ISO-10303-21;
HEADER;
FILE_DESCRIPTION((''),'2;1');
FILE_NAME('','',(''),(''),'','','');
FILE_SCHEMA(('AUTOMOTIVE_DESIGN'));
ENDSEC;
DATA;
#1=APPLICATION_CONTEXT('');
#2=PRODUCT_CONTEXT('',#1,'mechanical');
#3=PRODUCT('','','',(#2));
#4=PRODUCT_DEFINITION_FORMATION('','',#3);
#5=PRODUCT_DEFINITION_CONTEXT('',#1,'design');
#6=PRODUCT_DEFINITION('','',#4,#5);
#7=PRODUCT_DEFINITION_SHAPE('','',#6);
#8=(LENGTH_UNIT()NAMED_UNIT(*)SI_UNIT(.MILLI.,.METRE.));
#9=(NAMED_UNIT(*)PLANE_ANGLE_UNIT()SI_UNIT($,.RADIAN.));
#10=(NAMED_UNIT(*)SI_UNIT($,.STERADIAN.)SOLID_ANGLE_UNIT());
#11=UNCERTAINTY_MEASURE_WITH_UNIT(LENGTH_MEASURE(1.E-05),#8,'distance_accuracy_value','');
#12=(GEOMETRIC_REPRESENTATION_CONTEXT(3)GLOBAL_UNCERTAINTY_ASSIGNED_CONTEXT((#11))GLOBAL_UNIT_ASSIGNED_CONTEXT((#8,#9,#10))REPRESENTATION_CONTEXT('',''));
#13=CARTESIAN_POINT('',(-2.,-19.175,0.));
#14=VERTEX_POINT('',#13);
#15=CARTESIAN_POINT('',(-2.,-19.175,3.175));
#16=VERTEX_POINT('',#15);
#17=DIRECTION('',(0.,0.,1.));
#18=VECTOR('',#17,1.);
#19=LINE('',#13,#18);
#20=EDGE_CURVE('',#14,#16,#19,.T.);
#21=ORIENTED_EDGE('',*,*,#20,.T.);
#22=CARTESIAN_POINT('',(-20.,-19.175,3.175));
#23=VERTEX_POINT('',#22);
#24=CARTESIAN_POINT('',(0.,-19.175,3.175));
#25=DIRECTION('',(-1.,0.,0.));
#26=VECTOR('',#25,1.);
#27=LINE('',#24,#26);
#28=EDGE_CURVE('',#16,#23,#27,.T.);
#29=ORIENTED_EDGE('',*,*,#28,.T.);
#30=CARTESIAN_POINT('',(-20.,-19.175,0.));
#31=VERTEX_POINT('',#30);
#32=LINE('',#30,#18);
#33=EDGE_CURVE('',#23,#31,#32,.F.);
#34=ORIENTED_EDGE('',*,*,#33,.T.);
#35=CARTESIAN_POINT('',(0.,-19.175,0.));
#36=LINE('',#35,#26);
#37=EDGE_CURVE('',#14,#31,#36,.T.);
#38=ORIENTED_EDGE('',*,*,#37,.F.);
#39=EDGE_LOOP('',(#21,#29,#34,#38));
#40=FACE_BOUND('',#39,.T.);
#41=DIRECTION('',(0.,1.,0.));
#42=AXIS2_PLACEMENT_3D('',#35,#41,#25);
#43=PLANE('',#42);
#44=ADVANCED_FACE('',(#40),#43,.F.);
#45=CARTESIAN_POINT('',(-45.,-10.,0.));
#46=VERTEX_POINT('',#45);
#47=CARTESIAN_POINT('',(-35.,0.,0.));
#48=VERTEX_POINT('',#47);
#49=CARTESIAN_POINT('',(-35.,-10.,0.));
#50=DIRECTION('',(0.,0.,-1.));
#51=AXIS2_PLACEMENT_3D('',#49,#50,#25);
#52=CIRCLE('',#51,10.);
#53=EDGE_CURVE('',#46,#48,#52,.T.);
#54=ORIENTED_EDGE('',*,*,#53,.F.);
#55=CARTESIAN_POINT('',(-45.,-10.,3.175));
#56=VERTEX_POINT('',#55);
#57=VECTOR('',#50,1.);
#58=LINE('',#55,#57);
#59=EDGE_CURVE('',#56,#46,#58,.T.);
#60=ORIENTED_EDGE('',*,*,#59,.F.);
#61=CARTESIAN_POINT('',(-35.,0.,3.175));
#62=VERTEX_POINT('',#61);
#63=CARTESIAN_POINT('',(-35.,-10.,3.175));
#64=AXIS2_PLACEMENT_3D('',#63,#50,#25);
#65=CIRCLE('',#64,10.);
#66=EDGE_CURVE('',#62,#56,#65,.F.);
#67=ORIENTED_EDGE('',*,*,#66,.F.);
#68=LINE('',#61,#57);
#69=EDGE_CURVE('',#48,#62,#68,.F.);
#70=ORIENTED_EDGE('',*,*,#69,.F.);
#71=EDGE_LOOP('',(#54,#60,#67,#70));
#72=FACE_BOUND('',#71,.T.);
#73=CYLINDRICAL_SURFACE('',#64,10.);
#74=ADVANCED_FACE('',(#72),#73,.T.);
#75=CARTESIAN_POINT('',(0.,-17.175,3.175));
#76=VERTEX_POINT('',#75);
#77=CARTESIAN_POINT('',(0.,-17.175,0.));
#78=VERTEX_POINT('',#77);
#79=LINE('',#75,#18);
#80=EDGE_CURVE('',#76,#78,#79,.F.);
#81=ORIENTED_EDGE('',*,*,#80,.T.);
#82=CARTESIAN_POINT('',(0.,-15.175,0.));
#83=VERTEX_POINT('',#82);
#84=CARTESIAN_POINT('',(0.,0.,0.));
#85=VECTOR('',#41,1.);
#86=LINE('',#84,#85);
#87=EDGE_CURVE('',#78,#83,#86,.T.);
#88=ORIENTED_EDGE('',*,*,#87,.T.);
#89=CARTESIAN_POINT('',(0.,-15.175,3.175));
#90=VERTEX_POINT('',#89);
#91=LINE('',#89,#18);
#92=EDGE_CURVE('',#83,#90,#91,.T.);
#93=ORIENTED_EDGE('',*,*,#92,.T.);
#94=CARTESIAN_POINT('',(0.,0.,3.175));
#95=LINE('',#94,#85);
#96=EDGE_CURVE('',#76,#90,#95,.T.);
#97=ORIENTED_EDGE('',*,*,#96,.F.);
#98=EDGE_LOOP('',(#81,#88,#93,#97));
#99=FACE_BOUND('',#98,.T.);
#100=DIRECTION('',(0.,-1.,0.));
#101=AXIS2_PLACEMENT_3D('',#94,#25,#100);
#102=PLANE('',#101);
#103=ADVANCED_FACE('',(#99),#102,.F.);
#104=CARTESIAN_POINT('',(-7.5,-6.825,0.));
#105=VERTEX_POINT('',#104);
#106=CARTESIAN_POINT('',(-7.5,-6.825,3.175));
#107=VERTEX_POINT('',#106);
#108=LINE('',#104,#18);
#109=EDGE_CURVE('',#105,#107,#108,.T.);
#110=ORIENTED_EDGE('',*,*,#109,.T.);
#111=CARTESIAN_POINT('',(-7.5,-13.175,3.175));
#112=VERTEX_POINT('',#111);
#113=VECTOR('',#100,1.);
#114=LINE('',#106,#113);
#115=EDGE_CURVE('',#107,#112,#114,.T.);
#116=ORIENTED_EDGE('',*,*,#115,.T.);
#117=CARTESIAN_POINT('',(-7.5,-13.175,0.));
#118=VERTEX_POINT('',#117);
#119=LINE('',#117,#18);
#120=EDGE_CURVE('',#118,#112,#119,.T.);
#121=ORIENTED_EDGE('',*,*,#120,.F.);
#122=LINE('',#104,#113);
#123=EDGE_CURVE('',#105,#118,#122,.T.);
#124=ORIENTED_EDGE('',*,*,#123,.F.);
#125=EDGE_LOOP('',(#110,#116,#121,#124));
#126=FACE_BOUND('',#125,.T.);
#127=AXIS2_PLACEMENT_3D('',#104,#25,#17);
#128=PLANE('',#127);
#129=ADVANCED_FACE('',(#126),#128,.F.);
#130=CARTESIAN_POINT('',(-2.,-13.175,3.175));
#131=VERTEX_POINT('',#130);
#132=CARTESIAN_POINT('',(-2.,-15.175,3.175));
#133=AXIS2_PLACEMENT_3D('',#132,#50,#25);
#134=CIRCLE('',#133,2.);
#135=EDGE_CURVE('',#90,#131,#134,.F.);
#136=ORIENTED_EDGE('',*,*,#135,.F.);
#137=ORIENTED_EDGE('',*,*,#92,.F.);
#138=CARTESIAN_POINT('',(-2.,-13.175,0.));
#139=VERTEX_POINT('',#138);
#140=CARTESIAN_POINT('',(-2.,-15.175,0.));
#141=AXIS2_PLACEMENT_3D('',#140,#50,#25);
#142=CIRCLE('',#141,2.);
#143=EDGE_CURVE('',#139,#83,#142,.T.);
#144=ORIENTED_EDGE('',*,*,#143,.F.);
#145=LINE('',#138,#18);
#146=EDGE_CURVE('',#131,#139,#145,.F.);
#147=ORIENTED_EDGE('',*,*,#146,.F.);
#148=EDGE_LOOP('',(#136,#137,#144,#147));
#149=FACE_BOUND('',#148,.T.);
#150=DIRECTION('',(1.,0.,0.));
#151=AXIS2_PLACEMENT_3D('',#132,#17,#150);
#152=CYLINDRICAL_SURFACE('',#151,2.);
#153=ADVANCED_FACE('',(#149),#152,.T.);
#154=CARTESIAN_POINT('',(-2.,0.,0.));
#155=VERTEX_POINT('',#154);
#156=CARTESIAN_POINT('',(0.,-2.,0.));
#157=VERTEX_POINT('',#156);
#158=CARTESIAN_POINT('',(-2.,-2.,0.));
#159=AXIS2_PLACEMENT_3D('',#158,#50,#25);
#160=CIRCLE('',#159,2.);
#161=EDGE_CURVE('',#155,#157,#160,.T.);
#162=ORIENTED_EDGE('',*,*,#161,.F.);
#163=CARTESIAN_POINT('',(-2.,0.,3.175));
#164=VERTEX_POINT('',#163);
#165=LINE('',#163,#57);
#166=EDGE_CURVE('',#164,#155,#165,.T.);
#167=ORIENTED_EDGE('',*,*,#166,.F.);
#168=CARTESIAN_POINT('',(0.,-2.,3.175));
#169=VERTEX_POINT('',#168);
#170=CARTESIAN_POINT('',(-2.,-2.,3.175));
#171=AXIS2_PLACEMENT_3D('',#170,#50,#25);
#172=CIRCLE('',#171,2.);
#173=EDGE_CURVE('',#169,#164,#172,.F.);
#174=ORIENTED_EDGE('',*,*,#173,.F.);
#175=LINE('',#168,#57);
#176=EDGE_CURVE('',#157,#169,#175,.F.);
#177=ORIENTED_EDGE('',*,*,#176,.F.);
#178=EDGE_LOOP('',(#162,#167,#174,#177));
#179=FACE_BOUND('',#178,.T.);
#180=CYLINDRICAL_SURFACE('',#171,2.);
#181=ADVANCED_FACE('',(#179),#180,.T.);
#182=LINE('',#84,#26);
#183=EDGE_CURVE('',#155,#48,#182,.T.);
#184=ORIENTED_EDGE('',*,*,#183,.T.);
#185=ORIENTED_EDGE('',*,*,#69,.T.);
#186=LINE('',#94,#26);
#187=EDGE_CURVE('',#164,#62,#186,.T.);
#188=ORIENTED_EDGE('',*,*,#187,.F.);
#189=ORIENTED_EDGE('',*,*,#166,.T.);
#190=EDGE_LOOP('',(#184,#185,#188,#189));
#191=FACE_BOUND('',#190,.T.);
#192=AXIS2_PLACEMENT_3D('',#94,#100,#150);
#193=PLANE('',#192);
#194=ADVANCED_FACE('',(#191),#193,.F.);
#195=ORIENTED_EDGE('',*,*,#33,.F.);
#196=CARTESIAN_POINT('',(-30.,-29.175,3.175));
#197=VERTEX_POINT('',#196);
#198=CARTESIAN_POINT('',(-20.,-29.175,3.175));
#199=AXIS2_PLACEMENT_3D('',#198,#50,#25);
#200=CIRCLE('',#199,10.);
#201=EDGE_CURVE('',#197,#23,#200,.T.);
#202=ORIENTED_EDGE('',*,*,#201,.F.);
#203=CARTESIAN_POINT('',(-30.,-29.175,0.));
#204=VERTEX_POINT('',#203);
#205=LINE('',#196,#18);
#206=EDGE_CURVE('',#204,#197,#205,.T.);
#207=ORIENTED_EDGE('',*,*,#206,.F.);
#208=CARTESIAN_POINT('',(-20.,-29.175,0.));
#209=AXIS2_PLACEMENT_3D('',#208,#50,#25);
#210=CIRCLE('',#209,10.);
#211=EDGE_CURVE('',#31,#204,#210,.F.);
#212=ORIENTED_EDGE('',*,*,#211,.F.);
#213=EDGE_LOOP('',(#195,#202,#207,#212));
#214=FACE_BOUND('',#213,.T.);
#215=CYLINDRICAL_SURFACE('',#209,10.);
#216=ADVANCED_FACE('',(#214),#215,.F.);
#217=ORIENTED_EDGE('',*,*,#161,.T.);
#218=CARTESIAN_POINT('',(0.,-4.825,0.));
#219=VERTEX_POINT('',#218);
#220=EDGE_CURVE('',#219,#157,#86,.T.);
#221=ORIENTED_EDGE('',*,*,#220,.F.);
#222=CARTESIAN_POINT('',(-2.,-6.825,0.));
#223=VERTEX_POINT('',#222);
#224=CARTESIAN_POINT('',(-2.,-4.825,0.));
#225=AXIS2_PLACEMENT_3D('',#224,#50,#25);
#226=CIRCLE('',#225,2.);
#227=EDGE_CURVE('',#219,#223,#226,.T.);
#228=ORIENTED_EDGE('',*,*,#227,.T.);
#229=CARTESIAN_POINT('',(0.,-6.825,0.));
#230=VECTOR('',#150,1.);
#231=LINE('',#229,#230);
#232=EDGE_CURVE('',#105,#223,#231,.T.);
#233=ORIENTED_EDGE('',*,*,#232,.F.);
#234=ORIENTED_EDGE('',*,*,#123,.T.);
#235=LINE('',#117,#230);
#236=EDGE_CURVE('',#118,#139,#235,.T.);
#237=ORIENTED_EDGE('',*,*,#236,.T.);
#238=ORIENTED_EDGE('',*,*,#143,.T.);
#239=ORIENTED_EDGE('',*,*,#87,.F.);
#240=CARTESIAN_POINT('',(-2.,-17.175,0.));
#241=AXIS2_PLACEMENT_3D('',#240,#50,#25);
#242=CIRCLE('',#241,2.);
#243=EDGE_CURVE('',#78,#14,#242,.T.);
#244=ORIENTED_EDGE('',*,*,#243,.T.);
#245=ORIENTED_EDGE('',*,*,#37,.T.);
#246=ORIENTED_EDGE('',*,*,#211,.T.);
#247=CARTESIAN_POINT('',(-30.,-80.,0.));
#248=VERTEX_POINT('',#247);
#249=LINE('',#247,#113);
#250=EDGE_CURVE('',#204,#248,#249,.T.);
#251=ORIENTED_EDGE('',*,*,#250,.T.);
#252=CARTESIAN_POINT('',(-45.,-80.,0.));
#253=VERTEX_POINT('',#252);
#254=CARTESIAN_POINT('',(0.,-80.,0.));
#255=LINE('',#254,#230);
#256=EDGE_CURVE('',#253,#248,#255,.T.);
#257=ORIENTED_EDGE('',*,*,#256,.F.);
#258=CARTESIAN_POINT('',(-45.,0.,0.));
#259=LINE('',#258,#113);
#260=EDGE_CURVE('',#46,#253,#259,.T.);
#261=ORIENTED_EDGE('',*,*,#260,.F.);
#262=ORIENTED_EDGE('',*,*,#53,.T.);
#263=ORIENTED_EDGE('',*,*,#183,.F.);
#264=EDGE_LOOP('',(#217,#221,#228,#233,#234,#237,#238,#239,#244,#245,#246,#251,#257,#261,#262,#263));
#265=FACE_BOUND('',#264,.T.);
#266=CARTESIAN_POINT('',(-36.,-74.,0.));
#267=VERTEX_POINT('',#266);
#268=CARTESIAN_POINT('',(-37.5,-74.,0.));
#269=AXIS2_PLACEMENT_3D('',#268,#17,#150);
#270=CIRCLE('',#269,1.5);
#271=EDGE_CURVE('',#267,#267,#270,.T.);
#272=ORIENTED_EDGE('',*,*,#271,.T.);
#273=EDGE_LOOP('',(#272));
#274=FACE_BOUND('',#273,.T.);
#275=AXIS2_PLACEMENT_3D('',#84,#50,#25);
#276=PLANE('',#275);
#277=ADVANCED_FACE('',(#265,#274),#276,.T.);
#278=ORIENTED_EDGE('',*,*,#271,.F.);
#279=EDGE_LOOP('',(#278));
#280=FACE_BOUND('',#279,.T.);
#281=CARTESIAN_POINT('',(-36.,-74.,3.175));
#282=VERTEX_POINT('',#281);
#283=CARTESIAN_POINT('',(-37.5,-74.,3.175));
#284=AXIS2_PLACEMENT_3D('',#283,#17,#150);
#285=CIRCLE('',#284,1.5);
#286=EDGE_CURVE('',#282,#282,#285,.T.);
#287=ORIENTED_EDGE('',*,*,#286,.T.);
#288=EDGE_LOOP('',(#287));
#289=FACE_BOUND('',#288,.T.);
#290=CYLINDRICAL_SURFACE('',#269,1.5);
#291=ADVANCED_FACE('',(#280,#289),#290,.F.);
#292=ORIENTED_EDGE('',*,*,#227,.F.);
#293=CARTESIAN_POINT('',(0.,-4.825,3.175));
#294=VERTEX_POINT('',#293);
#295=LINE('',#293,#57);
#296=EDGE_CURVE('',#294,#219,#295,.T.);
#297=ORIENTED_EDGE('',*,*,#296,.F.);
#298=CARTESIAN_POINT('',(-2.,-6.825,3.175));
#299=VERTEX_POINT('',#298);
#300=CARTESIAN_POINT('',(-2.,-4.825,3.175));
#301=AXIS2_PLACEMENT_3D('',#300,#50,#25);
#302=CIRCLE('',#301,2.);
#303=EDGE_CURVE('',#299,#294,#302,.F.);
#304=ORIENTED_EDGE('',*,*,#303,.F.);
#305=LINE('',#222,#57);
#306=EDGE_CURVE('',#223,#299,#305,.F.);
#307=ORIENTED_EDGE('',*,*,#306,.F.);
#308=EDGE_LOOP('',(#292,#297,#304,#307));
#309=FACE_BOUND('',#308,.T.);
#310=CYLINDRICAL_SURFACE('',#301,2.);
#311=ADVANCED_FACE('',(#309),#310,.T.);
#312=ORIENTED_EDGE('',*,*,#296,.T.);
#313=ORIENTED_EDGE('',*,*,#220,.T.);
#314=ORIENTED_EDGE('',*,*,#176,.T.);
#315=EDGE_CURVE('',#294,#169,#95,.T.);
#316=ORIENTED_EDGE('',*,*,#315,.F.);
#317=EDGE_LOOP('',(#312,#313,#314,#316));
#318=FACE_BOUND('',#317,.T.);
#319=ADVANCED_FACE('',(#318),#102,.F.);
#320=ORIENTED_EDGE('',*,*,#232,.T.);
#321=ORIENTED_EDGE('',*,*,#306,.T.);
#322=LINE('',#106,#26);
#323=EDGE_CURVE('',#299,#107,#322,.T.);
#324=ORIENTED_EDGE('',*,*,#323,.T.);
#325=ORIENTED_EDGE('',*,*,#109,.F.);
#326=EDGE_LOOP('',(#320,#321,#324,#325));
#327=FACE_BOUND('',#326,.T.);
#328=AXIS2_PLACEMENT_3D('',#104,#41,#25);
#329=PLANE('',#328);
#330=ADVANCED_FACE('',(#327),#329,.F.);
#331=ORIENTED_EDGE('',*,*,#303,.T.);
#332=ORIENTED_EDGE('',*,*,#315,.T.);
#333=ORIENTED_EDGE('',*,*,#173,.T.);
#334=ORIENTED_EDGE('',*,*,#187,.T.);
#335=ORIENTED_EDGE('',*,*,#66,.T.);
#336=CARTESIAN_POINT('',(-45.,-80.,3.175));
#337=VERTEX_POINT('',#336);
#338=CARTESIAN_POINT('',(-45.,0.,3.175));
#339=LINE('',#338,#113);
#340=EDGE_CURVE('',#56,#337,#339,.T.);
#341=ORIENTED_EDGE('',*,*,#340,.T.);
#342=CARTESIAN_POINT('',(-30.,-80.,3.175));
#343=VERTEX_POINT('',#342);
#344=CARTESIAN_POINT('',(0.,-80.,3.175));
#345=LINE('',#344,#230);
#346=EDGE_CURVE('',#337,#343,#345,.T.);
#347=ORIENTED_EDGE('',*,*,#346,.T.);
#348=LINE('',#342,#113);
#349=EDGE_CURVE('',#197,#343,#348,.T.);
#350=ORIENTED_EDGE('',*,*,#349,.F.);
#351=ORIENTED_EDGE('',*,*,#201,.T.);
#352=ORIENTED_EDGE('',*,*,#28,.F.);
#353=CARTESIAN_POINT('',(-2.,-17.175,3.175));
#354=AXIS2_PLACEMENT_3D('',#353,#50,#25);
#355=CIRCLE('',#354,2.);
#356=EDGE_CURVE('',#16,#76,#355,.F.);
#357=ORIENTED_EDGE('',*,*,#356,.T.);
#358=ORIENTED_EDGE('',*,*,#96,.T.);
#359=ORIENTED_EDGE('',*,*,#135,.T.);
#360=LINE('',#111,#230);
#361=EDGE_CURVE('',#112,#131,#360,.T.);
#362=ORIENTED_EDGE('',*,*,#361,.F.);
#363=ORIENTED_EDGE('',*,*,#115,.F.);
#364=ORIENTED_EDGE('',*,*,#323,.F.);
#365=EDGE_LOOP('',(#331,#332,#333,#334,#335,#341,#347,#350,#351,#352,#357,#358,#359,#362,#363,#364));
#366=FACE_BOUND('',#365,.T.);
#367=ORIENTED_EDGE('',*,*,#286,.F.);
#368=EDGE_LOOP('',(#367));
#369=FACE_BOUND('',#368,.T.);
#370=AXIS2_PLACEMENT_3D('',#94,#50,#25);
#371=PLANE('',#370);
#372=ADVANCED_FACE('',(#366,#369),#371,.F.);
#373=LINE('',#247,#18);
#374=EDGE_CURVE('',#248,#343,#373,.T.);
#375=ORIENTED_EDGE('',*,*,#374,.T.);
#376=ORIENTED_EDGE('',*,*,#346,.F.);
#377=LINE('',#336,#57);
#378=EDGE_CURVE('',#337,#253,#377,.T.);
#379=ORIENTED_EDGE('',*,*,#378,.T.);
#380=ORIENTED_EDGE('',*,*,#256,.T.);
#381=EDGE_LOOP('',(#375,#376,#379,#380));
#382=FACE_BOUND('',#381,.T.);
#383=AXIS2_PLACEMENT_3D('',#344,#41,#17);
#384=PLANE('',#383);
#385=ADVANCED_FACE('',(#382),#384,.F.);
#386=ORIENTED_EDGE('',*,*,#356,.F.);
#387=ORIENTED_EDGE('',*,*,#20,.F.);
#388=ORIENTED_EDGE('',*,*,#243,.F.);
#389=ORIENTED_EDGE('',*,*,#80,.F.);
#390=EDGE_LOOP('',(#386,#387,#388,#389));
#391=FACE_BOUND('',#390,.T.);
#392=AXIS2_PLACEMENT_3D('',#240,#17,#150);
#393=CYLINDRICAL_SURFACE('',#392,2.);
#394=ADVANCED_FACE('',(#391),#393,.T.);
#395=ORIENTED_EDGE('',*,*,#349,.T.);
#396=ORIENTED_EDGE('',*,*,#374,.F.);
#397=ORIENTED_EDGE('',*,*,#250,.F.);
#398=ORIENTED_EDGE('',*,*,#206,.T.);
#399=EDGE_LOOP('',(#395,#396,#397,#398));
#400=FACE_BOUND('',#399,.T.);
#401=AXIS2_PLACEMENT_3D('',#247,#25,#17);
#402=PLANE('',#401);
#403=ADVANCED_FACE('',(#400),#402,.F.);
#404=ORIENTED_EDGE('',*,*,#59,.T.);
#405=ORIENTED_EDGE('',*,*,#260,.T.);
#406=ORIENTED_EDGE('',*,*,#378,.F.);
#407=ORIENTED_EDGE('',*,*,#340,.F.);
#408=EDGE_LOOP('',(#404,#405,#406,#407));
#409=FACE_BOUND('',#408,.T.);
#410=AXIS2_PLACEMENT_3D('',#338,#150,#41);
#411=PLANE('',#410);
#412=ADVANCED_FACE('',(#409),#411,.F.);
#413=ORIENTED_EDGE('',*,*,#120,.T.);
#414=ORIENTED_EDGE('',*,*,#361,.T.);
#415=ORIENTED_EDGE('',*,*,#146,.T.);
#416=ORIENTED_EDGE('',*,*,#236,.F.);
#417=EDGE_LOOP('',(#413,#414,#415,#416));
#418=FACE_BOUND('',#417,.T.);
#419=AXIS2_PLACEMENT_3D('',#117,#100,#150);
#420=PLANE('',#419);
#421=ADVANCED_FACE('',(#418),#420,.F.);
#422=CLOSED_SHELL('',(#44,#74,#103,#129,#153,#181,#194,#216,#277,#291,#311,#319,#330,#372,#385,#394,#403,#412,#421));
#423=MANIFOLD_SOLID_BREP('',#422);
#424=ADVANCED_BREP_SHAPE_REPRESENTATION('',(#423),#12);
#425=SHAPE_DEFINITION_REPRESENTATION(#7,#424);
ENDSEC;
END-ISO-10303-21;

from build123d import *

# Parameters (mm, degrees)
SKETCH1_W           = 45
SKETCH1_H           = 80
BOSS_EXTRUDE1_DEPTH = 3.175
SKETCH2_W           = 15
SKETCH2_H           = 6.35
CUT_EXTRUDE1_DEPTH  = 92.842695001
SKETCH3_R           = 1.5
SKETCH3_W           = 30
SKETCH3_H           = 60.825
CUT_EXTRUDE2_DEPTH  = 92.842695001
FILLET1_R           = 10
FILLET2_R           = 2


with BuildPart() as part:
    # Sketch1 → Boss-Extrude1 (new body)
    with BuildSketch(Plane.XY):
        with Locations((-22.5, -40)):
            Rectangle(SKETCH1_W, SKETCH1_H)
    extrude(amount=BOSS_EXTRUDE1_DEPTH)

    # Sketch2 → Cut-Extrude1 (cut, through all)
    with BuildSketch(Plane.XY.offset(3.175)):
        with Locations((0, -10)):
            Rectangle(SKETCH2_W, SKETCH2_H)
    extrude(amount=-CUT_EXTRUDE1_DEPTH, mode=Mode.SUBTRACT)

    # Sketch3 → Cut-Extrude2 (cut, through all)
    with BuildSketch(Plane.XY.offset(3.175)):
        with Locations((-37.5, -74)):
            Circle(SKETCH3_R)
        with Locations((-15, -49.5875)):
            Rectangle(SKETCH3_W, SKETCH3_H)
    extrude(amount=-CUT_EXTRUDE2_DEPTH, mode=Mode.SUBTRACT)

    # Fillet1
    fillet1_edges = [part.edges().sort_by_distance(p)[0] for p in [
        (-30, -19.175, 1.5875),
        (-45, 0, 1.5875),
    ]]
    fillet(fillet1_edges, radius=FILLET1_R)

    # Fillet2
    fillet2_edges = [part.edges().sort_by_distance(p)[0] for p in [
        (0, -13.175, 1.5875),
        (0, -6.825, 1.5875),
        (0, -19.175, 1.5875),
        (0, 0, 1.5875),
    ]]
    fillet(fillet2_edges, radius=FILLET2_R)


solid = part.part
